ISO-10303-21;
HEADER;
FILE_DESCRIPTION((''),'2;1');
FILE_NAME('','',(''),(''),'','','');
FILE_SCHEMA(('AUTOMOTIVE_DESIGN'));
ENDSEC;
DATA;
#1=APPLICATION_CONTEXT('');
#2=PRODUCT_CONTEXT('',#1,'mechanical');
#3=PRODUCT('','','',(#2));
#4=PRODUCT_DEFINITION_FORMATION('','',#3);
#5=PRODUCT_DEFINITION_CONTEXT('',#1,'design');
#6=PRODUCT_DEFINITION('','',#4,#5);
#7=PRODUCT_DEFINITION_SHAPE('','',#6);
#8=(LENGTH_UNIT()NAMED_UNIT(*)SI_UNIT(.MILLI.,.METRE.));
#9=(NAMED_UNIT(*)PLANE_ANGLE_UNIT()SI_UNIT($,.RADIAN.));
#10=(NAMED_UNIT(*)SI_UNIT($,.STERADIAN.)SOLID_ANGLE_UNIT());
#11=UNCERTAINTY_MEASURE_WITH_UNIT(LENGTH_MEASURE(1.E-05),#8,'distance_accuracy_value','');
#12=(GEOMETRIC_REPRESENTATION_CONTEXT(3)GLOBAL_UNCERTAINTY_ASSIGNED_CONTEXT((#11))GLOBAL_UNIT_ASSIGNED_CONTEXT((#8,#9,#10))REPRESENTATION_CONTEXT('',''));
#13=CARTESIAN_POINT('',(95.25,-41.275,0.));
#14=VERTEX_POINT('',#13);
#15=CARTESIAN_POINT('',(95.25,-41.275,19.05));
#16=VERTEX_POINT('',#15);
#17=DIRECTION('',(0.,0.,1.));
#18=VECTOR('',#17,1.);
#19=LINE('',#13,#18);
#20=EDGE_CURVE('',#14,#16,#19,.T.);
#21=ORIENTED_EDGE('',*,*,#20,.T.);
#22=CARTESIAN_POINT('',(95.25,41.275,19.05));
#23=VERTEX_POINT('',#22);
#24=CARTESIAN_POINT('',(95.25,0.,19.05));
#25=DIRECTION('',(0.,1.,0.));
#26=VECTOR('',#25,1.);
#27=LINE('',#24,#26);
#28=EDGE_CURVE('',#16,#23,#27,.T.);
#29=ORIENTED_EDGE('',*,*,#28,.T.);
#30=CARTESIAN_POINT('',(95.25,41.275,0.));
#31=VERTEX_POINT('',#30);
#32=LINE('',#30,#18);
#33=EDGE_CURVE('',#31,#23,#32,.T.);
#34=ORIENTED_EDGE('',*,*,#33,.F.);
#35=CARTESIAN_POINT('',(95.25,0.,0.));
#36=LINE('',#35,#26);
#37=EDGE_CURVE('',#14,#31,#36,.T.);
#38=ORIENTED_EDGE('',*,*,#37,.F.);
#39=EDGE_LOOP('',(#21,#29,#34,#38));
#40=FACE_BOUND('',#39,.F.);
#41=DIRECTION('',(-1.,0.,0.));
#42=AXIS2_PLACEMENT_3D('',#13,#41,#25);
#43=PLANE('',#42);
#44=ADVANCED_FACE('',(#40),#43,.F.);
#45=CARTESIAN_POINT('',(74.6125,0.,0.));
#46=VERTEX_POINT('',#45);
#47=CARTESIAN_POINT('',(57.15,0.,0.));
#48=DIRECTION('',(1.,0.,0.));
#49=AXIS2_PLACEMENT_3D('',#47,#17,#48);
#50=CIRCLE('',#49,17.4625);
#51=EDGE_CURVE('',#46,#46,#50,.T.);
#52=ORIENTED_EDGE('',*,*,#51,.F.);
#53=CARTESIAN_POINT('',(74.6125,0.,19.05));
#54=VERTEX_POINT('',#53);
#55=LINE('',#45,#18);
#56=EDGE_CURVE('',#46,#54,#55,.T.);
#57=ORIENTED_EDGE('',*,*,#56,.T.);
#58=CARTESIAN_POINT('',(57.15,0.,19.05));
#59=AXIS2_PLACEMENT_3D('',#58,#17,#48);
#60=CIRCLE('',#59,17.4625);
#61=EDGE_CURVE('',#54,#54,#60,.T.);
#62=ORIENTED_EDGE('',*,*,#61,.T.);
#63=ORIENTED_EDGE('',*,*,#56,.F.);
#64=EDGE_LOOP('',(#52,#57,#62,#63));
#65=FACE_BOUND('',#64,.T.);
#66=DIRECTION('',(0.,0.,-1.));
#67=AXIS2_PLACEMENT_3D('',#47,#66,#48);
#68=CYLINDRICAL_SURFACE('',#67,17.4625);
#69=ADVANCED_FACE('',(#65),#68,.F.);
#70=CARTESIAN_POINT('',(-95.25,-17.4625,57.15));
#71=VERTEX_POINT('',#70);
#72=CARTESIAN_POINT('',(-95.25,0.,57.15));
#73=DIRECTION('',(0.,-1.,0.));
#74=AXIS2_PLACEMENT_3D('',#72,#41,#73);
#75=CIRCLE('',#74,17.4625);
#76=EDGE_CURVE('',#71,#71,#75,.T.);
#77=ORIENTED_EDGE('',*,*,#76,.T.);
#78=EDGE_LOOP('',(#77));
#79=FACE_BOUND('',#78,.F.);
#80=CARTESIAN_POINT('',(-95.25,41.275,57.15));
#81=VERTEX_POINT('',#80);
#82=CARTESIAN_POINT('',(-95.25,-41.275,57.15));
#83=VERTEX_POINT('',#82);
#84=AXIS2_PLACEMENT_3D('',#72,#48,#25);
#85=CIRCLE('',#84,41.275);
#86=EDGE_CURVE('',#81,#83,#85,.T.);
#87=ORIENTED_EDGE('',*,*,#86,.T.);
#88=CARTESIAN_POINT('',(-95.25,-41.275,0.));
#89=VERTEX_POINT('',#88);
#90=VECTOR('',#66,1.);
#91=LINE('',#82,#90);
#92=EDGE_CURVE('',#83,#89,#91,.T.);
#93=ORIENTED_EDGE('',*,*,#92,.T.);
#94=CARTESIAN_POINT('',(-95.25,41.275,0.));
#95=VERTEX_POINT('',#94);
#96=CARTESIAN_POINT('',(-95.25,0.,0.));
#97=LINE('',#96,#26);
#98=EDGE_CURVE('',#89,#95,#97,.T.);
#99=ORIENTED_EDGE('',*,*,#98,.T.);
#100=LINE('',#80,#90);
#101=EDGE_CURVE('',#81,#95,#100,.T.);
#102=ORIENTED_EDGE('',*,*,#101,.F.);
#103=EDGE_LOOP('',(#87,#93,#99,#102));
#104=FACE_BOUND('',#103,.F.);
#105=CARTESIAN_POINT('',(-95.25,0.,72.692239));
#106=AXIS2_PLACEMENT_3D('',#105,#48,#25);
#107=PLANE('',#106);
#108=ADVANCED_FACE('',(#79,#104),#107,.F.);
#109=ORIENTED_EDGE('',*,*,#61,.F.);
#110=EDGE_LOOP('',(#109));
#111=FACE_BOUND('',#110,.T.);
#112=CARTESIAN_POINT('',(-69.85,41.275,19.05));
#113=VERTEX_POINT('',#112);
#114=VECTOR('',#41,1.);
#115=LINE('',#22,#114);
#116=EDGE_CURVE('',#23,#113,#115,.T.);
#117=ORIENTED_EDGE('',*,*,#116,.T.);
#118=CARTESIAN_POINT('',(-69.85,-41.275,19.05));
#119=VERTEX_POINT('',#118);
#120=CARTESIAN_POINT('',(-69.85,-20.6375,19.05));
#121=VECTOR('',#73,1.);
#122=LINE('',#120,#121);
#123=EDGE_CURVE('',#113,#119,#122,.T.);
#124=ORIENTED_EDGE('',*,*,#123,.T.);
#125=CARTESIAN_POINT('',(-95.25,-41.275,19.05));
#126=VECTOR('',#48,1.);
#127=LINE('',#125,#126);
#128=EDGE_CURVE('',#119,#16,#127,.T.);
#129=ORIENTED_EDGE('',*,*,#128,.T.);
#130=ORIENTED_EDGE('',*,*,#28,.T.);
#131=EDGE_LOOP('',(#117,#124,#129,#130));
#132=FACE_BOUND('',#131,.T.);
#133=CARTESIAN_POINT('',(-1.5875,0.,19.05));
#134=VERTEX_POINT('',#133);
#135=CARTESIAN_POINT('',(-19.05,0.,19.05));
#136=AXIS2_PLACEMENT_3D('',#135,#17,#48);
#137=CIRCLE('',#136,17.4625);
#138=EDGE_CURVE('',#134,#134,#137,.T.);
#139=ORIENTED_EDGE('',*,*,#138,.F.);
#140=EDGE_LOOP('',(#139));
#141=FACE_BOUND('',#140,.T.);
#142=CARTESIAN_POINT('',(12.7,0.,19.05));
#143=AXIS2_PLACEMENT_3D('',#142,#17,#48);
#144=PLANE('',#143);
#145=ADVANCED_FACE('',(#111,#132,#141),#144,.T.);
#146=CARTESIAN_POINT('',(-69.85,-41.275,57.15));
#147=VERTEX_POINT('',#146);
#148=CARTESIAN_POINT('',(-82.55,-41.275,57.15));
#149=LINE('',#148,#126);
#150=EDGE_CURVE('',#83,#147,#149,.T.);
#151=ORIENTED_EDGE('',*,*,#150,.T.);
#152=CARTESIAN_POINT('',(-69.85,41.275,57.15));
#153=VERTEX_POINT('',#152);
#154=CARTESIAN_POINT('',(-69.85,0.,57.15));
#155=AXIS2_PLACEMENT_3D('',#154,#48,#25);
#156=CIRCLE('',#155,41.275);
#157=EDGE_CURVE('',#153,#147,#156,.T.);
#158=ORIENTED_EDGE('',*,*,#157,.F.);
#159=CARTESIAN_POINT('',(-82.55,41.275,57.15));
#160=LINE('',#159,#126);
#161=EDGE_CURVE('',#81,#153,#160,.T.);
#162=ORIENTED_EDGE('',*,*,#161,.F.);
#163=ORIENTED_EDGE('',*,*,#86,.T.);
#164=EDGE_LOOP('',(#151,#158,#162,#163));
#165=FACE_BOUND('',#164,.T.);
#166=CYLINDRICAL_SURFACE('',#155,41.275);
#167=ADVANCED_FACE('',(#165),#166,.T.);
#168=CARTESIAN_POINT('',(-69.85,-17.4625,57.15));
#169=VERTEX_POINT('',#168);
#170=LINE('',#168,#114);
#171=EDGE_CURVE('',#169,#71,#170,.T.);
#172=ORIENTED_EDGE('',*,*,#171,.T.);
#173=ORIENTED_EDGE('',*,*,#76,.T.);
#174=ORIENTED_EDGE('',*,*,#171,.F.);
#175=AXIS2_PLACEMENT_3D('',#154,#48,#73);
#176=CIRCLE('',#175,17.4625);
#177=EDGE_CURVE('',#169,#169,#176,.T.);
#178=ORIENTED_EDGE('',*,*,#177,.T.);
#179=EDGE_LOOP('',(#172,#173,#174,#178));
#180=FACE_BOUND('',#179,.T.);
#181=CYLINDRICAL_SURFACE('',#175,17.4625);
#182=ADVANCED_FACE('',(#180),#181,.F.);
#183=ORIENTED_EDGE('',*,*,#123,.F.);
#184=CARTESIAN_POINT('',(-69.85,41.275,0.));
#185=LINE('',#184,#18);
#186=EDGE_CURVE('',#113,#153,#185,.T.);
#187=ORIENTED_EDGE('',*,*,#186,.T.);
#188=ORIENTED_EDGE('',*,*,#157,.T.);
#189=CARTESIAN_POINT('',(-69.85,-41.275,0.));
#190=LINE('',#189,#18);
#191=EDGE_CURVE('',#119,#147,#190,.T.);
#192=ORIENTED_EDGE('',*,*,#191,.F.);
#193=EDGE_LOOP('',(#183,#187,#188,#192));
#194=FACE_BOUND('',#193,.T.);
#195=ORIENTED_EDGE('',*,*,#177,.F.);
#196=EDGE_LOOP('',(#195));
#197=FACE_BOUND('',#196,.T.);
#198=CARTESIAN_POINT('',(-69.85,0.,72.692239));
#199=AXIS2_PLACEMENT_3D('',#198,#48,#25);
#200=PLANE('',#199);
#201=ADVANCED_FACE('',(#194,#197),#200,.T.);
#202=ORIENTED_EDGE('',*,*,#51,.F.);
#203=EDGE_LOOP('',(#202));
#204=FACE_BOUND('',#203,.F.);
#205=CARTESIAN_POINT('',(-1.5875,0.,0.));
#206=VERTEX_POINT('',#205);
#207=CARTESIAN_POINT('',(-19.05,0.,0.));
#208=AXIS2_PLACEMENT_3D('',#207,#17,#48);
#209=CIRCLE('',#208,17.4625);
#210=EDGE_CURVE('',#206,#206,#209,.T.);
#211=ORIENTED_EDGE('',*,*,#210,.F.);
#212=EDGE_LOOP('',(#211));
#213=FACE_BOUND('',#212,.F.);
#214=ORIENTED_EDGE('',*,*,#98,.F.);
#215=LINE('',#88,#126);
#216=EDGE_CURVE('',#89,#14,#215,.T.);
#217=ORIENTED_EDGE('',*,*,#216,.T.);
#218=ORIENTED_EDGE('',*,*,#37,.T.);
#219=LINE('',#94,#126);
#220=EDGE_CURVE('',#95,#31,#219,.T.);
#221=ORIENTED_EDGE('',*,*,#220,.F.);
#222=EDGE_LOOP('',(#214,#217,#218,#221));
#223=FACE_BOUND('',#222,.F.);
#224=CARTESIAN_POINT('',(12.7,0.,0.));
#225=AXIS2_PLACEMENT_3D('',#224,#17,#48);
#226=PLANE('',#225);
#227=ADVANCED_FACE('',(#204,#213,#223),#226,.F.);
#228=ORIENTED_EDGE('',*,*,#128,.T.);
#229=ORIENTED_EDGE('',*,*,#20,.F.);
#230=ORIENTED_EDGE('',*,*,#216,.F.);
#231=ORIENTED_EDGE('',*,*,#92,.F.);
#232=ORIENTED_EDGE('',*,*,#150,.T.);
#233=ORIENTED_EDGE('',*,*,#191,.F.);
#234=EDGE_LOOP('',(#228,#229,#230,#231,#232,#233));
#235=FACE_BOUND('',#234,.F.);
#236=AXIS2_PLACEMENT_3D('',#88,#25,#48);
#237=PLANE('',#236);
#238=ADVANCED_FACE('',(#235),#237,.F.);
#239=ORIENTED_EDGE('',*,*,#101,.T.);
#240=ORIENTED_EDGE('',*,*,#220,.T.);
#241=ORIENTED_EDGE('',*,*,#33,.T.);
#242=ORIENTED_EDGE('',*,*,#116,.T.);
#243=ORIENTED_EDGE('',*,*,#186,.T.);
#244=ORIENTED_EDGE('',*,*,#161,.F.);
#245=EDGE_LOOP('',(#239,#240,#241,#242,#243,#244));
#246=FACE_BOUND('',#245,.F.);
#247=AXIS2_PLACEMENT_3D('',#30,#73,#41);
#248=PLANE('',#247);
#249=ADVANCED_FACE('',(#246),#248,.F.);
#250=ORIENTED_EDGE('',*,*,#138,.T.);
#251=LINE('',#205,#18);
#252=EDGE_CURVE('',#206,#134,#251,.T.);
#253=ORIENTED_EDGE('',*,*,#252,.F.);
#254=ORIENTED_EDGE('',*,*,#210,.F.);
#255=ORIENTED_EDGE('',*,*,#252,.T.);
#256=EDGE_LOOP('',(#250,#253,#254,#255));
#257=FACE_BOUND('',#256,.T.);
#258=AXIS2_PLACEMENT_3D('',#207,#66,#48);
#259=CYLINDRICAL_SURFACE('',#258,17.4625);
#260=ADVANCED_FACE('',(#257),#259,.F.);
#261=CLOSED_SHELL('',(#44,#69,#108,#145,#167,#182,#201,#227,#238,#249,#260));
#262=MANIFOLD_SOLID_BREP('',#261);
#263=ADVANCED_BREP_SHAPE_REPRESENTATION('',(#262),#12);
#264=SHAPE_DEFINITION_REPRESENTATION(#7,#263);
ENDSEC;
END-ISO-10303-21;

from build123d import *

# Parameters (mm, degrees)
F0_W     = 165.1
F0_H     = 82.55
F0_R     = 17.4625
F0_W_2   = 25.4
F1_DEPTH = 19.05
F2_DEPTH = 57.15
F4_DEPTH = 25.4
F3_R     = 17.4625
F5_DEPTH = 25.4


with BuildPart() as f1:
    # F0 (on Top) → F1 (new body)
    with BuildSketch(Plane.XY):
        with Locations((12.7, 0)):
            Rectangle(F0_W, F0_H)
        with Locations((-19.05, 0)):
            Circle(F0_R, mode=Mode.SUBTRACT)
        with Locations((57.15, 0)):
            Circle(F0_R, mode=Mode.SUBTRACT)
        with Locations((-82.55, 0)):
            Rectangle(F0_W_2, F0_H)
    extrude(amount=F1_DEPTH)

    # F0 (on Top) → F2 (join)
    with BuildSketch(Plane.XY):
        with Locations((-82.55, 0)):
            Rectangle(F0_W_2, F0_H)
    extrude(amount=F2_DEPTH)

    # F3 (on face) → F4 (join)
    with BuildSketch(Plane.YZ.offset(-69.85)):
        with BuildLine():
            ThreePointArc((-17.4625, 57.15), (0, 74.6125), (17.4625, 57.15))
            Line((17.4625, 57.15), (41.275, 57.15))
            ThreePointArc((41.275, 57.15), (0, 98.425), (-41.275, 57.15))
            Line((-41.275, 57.15), (-17.4625, 57.15))
        make_face()
    extrude(amount=-F4_DEPTH)

    # F3 (on face) → F5 (cut)
    with BuildSketch(Plane.YZ.offset(-69.85)):
        with Locations((0, 57.15)):
            Circle(F3_R)
    extrude(amount=-F5_DEPTH, mode=Mode.SUBTRACT)


solid = f1.part
